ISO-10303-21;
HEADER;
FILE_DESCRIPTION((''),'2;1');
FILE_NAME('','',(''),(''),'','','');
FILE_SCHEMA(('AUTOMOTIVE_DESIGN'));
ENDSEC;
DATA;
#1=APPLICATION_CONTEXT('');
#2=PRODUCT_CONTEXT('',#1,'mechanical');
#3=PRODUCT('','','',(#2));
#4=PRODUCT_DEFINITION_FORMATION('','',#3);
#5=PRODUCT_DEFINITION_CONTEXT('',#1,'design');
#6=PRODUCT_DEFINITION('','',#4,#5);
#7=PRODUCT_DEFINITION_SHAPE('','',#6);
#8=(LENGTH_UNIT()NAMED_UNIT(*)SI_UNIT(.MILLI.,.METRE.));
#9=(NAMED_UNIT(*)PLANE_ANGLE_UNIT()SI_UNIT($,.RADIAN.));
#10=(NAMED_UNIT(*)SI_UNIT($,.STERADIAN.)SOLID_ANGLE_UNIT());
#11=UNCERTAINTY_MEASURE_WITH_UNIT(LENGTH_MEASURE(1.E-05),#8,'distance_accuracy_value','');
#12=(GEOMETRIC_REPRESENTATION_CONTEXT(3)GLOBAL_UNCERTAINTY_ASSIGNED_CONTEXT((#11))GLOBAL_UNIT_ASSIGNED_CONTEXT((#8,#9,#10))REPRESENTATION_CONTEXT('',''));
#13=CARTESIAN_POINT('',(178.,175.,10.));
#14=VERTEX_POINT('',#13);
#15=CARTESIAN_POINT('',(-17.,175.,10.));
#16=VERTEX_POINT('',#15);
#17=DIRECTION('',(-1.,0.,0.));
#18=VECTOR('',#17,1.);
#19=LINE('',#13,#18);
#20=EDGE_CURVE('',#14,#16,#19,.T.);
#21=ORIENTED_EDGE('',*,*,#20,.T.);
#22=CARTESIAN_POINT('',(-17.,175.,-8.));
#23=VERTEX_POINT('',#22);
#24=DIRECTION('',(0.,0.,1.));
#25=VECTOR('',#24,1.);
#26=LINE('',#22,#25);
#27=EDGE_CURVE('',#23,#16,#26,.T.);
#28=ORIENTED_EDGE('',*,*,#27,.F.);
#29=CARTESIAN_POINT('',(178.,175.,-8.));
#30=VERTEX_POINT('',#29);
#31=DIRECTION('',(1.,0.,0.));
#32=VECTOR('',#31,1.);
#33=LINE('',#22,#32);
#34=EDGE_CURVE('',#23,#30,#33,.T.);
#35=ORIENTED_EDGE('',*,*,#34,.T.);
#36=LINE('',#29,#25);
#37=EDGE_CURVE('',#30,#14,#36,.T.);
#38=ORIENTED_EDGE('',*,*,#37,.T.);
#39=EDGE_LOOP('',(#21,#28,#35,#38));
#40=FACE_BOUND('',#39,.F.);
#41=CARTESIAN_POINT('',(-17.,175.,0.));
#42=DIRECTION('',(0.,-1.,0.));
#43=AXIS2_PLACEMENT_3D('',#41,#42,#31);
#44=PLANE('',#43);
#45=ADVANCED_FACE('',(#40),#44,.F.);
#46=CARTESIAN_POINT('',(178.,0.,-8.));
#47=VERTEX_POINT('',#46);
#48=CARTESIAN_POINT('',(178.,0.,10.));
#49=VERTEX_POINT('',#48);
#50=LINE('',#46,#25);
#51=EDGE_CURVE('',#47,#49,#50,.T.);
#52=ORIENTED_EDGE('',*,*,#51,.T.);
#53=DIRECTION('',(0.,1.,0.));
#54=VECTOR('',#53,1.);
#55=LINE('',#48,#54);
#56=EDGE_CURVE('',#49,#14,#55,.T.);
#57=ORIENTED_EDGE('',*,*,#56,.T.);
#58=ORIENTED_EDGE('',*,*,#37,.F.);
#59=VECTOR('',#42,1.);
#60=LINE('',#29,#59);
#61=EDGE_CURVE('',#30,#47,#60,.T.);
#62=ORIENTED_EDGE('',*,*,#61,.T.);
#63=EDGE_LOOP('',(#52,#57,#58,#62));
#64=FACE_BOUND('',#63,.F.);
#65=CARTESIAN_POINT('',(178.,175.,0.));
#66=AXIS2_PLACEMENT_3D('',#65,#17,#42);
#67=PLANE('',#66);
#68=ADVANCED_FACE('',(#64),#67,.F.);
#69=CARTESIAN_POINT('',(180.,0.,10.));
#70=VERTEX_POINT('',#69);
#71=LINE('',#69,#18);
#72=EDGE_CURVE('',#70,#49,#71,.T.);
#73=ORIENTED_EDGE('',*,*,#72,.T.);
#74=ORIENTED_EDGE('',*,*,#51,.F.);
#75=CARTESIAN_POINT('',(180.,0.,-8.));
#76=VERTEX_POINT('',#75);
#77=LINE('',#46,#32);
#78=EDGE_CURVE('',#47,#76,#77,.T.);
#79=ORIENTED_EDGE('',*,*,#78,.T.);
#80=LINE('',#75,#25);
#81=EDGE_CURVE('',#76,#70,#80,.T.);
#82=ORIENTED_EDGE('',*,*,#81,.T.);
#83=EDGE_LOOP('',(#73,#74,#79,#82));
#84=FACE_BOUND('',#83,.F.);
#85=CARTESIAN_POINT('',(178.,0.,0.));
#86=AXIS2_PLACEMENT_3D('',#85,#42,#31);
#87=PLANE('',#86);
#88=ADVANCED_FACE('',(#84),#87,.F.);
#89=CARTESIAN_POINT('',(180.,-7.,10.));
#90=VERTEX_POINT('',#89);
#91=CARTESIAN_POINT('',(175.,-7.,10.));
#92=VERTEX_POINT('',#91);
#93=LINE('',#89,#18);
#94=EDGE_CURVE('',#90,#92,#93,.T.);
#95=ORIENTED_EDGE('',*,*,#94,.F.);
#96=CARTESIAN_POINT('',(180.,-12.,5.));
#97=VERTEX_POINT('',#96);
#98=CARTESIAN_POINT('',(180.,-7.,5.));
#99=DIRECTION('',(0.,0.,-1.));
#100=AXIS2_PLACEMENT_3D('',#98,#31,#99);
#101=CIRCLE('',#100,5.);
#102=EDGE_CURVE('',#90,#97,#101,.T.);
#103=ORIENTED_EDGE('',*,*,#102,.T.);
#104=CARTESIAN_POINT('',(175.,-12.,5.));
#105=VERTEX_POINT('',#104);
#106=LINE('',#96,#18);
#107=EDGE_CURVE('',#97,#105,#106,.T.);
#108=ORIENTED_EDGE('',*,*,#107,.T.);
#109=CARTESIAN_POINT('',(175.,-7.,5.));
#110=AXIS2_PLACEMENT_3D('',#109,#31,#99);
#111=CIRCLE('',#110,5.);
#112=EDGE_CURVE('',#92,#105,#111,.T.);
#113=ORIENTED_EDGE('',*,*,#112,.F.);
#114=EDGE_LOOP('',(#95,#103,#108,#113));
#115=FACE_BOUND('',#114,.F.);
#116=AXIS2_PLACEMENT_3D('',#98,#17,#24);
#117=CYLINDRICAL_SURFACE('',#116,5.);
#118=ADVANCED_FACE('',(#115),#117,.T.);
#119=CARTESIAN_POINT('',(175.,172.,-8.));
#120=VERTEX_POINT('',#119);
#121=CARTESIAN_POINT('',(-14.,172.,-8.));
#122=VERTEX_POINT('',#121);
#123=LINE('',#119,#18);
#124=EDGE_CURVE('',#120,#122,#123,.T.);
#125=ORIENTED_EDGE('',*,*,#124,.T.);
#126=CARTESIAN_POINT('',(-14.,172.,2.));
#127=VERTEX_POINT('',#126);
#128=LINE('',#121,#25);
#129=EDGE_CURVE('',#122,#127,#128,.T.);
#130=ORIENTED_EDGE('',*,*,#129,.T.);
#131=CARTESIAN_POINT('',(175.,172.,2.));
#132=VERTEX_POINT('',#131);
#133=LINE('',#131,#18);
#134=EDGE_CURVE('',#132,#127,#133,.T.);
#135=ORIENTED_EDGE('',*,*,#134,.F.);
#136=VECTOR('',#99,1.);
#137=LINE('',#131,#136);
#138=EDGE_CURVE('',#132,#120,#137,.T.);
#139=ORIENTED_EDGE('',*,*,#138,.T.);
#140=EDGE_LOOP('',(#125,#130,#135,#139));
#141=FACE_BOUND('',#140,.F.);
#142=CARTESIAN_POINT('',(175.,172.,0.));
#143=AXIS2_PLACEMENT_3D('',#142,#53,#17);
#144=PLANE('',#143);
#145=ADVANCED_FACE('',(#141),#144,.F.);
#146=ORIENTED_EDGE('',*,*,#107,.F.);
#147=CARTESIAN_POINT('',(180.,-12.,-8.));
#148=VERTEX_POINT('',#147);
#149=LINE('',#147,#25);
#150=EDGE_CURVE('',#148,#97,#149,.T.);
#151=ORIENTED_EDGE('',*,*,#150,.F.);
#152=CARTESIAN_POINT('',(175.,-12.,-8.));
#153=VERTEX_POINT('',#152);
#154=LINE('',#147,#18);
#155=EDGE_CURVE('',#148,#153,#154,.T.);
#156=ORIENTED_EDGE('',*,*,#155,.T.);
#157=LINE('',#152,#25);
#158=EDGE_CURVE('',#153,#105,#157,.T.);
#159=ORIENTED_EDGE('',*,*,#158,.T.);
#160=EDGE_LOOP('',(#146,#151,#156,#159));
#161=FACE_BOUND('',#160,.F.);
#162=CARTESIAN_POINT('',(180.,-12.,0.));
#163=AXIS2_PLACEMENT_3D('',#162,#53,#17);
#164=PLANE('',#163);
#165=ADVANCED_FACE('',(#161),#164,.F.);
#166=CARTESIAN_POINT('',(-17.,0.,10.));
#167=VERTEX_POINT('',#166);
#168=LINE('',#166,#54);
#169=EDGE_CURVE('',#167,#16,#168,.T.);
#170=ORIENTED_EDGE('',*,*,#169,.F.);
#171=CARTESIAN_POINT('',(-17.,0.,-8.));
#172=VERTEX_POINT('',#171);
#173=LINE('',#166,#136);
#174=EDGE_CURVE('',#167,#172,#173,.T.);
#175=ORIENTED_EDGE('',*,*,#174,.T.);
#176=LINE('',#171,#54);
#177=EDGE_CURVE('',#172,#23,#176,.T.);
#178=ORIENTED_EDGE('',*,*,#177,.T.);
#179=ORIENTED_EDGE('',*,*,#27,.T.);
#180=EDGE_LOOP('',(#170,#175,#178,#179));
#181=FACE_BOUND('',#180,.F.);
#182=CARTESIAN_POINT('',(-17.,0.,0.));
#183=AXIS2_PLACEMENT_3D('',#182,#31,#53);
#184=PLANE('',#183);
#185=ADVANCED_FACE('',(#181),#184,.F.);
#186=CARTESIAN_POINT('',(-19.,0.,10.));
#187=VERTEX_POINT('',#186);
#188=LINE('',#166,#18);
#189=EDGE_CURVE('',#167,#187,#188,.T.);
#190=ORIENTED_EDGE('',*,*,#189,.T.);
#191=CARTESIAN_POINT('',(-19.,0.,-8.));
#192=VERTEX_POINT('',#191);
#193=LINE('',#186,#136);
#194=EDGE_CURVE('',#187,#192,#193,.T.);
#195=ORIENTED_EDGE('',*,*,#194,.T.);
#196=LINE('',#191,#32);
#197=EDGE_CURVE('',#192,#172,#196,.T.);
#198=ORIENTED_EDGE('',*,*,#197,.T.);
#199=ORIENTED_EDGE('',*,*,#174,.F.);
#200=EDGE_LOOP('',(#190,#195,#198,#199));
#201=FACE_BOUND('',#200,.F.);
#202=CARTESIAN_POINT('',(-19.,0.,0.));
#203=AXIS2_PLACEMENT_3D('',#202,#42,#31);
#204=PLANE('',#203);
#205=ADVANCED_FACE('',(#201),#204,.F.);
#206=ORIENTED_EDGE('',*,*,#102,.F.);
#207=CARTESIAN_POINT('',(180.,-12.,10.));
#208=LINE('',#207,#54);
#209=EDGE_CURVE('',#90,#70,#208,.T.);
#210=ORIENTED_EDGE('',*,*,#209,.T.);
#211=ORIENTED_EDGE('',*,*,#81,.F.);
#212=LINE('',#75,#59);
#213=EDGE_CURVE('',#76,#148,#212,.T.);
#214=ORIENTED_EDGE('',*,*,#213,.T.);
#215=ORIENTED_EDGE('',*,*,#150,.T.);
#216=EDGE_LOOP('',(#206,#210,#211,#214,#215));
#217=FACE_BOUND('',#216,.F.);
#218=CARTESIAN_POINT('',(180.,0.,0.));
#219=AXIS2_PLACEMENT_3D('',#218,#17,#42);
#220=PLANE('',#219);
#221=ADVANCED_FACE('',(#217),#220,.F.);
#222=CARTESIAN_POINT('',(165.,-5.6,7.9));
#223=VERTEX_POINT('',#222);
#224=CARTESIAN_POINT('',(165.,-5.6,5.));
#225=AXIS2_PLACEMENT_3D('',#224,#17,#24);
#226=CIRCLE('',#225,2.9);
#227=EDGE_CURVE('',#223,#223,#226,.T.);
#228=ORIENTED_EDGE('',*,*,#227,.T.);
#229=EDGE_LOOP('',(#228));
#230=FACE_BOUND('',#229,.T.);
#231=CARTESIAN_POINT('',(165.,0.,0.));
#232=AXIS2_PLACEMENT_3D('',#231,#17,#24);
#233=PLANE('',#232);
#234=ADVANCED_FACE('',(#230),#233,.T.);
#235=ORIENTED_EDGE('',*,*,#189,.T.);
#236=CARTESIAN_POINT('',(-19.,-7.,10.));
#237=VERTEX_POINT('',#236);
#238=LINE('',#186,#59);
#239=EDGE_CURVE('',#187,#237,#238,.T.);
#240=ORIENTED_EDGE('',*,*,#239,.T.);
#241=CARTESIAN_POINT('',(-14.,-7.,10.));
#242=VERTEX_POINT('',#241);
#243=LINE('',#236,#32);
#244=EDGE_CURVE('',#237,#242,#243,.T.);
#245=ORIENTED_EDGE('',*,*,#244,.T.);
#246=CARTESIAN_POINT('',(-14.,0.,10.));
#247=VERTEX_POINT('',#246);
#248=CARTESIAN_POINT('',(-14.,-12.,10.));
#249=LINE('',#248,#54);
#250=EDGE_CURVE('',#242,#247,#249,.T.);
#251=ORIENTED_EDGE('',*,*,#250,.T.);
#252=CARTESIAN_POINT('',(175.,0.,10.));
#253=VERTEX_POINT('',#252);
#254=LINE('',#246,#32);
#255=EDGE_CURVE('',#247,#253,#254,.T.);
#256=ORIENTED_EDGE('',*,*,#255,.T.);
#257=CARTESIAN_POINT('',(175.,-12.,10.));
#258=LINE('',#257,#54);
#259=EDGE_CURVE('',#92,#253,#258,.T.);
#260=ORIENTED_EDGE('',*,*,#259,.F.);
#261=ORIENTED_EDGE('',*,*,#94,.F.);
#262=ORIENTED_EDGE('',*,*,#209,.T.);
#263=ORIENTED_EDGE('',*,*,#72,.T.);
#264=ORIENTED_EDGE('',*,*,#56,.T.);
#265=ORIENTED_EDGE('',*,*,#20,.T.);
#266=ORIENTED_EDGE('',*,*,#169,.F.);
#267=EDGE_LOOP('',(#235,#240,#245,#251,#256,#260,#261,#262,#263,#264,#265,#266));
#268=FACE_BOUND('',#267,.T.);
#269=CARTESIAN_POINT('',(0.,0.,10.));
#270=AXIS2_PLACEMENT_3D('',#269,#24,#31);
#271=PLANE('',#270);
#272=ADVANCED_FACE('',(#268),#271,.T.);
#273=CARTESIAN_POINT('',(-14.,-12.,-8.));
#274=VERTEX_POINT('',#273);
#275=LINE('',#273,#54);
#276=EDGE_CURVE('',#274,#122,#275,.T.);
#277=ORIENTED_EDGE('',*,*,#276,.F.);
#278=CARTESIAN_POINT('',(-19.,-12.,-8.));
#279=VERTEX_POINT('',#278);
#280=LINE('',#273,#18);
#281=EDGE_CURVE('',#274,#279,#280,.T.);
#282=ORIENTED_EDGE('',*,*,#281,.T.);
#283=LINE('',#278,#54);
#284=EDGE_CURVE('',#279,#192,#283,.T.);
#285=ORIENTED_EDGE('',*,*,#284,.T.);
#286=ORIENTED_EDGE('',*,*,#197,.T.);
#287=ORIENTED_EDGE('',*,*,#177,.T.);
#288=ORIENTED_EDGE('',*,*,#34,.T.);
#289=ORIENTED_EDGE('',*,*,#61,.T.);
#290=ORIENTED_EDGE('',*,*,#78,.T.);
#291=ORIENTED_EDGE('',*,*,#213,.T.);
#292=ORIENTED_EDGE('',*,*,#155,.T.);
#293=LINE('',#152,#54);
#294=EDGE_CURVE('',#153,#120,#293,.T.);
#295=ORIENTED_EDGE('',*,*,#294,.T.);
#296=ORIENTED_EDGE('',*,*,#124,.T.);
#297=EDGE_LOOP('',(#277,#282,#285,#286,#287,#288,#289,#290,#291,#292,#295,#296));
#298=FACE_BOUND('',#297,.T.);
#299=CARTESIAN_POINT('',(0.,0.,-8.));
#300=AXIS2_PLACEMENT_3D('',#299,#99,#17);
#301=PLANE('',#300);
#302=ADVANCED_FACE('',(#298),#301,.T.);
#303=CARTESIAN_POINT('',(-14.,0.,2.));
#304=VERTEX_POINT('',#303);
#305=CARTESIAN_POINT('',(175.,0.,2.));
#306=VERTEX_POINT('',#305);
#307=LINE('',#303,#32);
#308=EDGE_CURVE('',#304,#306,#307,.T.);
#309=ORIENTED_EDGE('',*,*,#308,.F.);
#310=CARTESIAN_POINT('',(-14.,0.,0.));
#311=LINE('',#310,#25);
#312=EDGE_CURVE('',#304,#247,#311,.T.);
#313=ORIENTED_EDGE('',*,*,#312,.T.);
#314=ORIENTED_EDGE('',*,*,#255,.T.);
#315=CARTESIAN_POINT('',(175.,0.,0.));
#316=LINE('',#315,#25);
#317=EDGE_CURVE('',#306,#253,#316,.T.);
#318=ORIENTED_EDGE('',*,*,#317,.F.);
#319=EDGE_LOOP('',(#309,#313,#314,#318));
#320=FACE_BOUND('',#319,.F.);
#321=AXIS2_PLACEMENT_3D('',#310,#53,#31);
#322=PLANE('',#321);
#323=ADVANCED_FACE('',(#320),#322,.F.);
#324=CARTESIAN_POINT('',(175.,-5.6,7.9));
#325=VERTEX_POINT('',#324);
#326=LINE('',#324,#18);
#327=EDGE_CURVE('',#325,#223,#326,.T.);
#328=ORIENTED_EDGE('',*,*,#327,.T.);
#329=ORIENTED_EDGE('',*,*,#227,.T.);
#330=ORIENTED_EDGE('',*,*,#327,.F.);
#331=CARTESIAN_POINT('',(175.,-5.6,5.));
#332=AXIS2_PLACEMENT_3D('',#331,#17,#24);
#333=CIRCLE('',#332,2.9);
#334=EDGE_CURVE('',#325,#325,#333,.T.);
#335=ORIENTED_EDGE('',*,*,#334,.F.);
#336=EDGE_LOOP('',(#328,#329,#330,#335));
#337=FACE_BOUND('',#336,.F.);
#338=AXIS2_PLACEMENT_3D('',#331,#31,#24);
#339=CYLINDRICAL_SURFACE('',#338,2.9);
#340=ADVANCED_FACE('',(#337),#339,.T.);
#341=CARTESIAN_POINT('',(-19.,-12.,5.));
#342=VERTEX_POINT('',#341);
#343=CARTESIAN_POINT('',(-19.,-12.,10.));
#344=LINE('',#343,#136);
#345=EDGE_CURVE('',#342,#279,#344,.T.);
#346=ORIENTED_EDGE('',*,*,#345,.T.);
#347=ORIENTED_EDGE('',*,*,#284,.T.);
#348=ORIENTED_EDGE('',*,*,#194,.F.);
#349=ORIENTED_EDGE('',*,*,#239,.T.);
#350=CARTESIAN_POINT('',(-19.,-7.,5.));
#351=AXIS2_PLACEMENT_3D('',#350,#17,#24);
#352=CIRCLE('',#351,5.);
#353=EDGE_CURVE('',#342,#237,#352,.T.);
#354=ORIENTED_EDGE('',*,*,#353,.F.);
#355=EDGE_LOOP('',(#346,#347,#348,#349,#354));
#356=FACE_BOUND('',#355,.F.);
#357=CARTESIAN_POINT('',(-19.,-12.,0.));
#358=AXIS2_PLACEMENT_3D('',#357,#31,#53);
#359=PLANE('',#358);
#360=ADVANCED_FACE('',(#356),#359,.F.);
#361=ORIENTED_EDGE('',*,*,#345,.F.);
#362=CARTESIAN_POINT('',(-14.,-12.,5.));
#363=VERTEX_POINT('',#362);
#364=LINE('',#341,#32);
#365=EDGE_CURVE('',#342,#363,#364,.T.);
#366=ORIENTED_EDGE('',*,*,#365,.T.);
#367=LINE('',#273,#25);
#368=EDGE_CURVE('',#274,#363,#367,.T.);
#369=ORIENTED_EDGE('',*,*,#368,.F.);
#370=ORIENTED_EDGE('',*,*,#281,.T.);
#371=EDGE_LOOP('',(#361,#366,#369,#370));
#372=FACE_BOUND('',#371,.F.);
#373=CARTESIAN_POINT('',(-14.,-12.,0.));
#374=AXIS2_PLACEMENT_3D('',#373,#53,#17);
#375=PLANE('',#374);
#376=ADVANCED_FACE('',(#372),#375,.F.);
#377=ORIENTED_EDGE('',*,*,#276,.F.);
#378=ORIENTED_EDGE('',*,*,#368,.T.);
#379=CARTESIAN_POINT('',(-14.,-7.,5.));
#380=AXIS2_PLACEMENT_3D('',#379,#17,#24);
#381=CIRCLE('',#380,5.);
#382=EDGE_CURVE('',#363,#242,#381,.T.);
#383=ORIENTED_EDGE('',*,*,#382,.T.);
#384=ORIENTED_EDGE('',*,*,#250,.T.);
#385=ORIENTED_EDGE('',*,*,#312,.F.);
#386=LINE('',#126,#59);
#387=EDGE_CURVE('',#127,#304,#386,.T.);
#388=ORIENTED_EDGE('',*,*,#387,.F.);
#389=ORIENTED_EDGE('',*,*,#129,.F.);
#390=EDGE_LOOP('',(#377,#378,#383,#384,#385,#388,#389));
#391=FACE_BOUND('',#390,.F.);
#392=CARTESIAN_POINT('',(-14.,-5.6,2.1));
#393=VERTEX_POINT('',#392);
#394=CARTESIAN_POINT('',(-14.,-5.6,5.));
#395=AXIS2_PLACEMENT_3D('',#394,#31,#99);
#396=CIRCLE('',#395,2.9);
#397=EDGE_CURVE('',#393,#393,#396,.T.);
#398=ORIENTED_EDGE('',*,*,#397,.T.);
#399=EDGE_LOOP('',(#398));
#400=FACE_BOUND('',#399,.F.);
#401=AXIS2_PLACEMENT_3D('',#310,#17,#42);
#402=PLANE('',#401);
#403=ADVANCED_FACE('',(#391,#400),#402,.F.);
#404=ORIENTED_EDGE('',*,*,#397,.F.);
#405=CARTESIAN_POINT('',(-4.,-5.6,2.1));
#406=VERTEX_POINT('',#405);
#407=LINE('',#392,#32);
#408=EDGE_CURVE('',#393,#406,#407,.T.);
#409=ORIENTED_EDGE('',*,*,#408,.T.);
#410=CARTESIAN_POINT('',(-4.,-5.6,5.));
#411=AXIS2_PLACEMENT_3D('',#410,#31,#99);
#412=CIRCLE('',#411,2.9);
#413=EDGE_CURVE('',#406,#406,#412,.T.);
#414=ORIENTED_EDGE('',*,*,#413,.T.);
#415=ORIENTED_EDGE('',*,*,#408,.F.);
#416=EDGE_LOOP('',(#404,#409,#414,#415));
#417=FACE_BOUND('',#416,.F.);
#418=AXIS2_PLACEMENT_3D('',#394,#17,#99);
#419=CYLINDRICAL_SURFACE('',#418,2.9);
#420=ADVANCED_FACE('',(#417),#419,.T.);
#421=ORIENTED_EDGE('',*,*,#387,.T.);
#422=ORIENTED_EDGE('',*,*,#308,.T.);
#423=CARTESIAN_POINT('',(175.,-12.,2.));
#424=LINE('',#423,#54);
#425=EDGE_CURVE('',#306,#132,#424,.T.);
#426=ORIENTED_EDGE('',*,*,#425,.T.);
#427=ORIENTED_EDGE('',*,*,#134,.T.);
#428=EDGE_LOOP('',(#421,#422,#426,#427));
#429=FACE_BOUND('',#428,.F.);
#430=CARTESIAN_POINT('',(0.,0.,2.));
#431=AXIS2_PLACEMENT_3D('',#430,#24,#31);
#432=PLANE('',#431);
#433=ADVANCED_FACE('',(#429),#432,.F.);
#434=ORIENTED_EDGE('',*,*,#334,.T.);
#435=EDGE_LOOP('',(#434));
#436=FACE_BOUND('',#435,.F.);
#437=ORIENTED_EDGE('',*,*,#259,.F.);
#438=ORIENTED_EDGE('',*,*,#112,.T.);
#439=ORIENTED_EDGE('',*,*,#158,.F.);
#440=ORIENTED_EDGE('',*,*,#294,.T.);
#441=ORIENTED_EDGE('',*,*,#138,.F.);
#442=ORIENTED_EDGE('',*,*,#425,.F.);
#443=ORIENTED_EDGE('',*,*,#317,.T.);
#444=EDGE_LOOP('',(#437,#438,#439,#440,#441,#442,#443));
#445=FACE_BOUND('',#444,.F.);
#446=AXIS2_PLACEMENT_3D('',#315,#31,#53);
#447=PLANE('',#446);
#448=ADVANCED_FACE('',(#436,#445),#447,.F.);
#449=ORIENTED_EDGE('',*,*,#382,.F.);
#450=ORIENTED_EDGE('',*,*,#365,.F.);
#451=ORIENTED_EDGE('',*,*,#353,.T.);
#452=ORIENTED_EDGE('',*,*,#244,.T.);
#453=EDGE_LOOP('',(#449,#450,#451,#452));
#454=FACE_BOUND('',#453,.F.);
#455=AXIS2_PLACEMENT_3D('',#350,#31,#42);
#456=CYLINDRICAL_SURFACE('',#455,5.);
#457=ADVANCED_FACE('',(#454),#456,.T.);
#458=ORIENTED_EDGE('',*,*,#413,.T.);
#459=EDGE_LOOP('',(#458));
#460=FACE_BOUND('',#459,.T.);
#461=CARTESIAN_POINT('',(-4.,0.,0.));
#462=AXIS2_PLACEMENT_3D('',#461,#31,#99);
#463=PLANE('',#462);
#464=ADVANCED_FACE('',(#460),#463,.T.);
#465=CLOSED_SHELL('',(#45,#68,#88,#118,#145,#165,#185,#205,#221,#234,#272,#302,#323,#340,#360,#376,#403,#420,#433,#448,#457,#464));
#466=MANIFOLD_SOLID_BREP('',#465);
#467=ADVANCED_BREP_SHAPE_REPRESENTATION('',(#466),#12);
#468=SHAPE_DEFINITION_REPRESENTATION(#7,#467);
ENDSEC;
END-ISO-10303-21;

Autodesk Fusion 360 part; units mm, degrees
sketch "Sketch1" plane through (0, 0, 0) normal (0, 0, 1) x (1, 0, 0)
  line L0 (-14, 0) -> (175, 0)
  line L1 (180, -12) -> (180, 0)
  line L2 (178, 175) -> (-17, 175)
  line L3 (-19, 0) -> (-19, -12)
  line L4 (-19, -12) -> (-14, -12)
  line L5 (-14, -12) -> (-14, 0)
  line L6 (180, -12) -> (175, -12)
  line L7 (175, -12) -> (175, 0)
  line L8 (180, 0) -> (178, 0)
  line L9 (178, 0) -> (178, 175)
  line L10 (-17, 0) -> (-17, 175)
  line L11 (-17, 0) -> (-19, 0)
  dimension "d1" = 189
  dimension "d13" = 12
  dimension "d14" = 12
  dimension "d16" = 5
  dimension "d24" = 175
  dimension "d31" = 2
  dimension "d32" = 5
  dimension "d33" = 2
extrude "Extrude1" add sketch "Sketch1" along normal blind 10
sketch "Sketch2" plane through (-14, 0, 0) normal (1, 0, 0) x (0, 0, -1)
  line L0 (0, -12) -> (0, 0)
  line L1 (0, 0) -> (-10, 0)
  line L2 (-10, 0) -> (-10, -12)
  line L3 (-10, -12) -> (0, -12)
  circle A0 centre (-5, -5.6) radius 2.9
  dimension "d5" = 5.8
  dimension "d6" = 5.6
extrude "Extrude2" add sketch "Sketch2" along normal blind 10 contours A0
sketch "Sketch3" plane through (175, 0, 0) normal (-1, 0, 0) x (0, 0, 1)
  line L0 (0, 0) -> (0, -12)
  line L1 (0, -12) -> (10, -12)
  line L2 (10, -12) -> (10, 0)
  line L3 (10, 0) -> (0, 0)
  circle A0 centre (5, -5.6) radius 2.9
  dimension "d9" = 5.8
  dimension "d10" = 5.6
extrude "Extrude3" add sketch "Sketch3" along normal blind 10 contours A0
sketch "Sketch4" plane through (0, 0, 0) normal (0, 0, -1) x (-1, 0, 0)
  line L0 (19, -12) -> (19, 0)
  line L1 (17, 0) -> (17, 175)
  line L2 (17, 175) -> (-178, 175)
  line L3 (-178, 175) -> (-178, 0)
  line L4 (-178, 0) -> (-180, 0)
  line L5 (-180, 0) -> (-180, -12)
  line L6 (-180, -12) -> (-175, -12)
  line L7 (-175, -12) -> (-175, 0)
  line L8 (-175, 0) -> (14, 0)
  line L9 (14, 0) -> (14, -12)
  line L10 (14, -12) -> (19, -12)
  line L11 (-178, 0) -> (-180, 0)
  line L12 (-180, 0) -> (-180, -12)
  line L13 (-180, -12) -> (-175, -12)
  line L14 (-175, -12) -> (-175, 172)
  line L15 (-175, 172) -> (14, 172)
  line L16 (14, 172) -> (14, -12)
  line L17 (14, -12) -> (19, -12)
  line L18 (19, -12) -> (19, 0)
  line L19 (19, 0) -> (17, 0)
  line L20 (17, 0) -> (17, 175)
  line L21 (17, 175) -> (-178, 175)
  line L22 (-178, 175) -> (-178, 0)
  line L23 (19, 0) -> (17, 0)
  dimension "d19" = 3
  dimension "d20" = 3
  dimension "d21" = 3
extrude "Extrude4" add sketch "Sketch4" along normal blind 8 contours L0 L1 L2 L3 L4 L5 L6 L7 L9 L10 L11 L12 L13 L14 L15 L16 L17 L18 L19 L20 L21 L22 L23
fillet "Fillet1" radius 5 1 edges at (-16.5, -12, 10)
fillet "Fillet2" radius 5 1 edges at (177.5, -12, 10)
extrude "Extrude5" cut 1 faces at (112, 114.6667, 0) along direction (0, 0, 1) blind 2
